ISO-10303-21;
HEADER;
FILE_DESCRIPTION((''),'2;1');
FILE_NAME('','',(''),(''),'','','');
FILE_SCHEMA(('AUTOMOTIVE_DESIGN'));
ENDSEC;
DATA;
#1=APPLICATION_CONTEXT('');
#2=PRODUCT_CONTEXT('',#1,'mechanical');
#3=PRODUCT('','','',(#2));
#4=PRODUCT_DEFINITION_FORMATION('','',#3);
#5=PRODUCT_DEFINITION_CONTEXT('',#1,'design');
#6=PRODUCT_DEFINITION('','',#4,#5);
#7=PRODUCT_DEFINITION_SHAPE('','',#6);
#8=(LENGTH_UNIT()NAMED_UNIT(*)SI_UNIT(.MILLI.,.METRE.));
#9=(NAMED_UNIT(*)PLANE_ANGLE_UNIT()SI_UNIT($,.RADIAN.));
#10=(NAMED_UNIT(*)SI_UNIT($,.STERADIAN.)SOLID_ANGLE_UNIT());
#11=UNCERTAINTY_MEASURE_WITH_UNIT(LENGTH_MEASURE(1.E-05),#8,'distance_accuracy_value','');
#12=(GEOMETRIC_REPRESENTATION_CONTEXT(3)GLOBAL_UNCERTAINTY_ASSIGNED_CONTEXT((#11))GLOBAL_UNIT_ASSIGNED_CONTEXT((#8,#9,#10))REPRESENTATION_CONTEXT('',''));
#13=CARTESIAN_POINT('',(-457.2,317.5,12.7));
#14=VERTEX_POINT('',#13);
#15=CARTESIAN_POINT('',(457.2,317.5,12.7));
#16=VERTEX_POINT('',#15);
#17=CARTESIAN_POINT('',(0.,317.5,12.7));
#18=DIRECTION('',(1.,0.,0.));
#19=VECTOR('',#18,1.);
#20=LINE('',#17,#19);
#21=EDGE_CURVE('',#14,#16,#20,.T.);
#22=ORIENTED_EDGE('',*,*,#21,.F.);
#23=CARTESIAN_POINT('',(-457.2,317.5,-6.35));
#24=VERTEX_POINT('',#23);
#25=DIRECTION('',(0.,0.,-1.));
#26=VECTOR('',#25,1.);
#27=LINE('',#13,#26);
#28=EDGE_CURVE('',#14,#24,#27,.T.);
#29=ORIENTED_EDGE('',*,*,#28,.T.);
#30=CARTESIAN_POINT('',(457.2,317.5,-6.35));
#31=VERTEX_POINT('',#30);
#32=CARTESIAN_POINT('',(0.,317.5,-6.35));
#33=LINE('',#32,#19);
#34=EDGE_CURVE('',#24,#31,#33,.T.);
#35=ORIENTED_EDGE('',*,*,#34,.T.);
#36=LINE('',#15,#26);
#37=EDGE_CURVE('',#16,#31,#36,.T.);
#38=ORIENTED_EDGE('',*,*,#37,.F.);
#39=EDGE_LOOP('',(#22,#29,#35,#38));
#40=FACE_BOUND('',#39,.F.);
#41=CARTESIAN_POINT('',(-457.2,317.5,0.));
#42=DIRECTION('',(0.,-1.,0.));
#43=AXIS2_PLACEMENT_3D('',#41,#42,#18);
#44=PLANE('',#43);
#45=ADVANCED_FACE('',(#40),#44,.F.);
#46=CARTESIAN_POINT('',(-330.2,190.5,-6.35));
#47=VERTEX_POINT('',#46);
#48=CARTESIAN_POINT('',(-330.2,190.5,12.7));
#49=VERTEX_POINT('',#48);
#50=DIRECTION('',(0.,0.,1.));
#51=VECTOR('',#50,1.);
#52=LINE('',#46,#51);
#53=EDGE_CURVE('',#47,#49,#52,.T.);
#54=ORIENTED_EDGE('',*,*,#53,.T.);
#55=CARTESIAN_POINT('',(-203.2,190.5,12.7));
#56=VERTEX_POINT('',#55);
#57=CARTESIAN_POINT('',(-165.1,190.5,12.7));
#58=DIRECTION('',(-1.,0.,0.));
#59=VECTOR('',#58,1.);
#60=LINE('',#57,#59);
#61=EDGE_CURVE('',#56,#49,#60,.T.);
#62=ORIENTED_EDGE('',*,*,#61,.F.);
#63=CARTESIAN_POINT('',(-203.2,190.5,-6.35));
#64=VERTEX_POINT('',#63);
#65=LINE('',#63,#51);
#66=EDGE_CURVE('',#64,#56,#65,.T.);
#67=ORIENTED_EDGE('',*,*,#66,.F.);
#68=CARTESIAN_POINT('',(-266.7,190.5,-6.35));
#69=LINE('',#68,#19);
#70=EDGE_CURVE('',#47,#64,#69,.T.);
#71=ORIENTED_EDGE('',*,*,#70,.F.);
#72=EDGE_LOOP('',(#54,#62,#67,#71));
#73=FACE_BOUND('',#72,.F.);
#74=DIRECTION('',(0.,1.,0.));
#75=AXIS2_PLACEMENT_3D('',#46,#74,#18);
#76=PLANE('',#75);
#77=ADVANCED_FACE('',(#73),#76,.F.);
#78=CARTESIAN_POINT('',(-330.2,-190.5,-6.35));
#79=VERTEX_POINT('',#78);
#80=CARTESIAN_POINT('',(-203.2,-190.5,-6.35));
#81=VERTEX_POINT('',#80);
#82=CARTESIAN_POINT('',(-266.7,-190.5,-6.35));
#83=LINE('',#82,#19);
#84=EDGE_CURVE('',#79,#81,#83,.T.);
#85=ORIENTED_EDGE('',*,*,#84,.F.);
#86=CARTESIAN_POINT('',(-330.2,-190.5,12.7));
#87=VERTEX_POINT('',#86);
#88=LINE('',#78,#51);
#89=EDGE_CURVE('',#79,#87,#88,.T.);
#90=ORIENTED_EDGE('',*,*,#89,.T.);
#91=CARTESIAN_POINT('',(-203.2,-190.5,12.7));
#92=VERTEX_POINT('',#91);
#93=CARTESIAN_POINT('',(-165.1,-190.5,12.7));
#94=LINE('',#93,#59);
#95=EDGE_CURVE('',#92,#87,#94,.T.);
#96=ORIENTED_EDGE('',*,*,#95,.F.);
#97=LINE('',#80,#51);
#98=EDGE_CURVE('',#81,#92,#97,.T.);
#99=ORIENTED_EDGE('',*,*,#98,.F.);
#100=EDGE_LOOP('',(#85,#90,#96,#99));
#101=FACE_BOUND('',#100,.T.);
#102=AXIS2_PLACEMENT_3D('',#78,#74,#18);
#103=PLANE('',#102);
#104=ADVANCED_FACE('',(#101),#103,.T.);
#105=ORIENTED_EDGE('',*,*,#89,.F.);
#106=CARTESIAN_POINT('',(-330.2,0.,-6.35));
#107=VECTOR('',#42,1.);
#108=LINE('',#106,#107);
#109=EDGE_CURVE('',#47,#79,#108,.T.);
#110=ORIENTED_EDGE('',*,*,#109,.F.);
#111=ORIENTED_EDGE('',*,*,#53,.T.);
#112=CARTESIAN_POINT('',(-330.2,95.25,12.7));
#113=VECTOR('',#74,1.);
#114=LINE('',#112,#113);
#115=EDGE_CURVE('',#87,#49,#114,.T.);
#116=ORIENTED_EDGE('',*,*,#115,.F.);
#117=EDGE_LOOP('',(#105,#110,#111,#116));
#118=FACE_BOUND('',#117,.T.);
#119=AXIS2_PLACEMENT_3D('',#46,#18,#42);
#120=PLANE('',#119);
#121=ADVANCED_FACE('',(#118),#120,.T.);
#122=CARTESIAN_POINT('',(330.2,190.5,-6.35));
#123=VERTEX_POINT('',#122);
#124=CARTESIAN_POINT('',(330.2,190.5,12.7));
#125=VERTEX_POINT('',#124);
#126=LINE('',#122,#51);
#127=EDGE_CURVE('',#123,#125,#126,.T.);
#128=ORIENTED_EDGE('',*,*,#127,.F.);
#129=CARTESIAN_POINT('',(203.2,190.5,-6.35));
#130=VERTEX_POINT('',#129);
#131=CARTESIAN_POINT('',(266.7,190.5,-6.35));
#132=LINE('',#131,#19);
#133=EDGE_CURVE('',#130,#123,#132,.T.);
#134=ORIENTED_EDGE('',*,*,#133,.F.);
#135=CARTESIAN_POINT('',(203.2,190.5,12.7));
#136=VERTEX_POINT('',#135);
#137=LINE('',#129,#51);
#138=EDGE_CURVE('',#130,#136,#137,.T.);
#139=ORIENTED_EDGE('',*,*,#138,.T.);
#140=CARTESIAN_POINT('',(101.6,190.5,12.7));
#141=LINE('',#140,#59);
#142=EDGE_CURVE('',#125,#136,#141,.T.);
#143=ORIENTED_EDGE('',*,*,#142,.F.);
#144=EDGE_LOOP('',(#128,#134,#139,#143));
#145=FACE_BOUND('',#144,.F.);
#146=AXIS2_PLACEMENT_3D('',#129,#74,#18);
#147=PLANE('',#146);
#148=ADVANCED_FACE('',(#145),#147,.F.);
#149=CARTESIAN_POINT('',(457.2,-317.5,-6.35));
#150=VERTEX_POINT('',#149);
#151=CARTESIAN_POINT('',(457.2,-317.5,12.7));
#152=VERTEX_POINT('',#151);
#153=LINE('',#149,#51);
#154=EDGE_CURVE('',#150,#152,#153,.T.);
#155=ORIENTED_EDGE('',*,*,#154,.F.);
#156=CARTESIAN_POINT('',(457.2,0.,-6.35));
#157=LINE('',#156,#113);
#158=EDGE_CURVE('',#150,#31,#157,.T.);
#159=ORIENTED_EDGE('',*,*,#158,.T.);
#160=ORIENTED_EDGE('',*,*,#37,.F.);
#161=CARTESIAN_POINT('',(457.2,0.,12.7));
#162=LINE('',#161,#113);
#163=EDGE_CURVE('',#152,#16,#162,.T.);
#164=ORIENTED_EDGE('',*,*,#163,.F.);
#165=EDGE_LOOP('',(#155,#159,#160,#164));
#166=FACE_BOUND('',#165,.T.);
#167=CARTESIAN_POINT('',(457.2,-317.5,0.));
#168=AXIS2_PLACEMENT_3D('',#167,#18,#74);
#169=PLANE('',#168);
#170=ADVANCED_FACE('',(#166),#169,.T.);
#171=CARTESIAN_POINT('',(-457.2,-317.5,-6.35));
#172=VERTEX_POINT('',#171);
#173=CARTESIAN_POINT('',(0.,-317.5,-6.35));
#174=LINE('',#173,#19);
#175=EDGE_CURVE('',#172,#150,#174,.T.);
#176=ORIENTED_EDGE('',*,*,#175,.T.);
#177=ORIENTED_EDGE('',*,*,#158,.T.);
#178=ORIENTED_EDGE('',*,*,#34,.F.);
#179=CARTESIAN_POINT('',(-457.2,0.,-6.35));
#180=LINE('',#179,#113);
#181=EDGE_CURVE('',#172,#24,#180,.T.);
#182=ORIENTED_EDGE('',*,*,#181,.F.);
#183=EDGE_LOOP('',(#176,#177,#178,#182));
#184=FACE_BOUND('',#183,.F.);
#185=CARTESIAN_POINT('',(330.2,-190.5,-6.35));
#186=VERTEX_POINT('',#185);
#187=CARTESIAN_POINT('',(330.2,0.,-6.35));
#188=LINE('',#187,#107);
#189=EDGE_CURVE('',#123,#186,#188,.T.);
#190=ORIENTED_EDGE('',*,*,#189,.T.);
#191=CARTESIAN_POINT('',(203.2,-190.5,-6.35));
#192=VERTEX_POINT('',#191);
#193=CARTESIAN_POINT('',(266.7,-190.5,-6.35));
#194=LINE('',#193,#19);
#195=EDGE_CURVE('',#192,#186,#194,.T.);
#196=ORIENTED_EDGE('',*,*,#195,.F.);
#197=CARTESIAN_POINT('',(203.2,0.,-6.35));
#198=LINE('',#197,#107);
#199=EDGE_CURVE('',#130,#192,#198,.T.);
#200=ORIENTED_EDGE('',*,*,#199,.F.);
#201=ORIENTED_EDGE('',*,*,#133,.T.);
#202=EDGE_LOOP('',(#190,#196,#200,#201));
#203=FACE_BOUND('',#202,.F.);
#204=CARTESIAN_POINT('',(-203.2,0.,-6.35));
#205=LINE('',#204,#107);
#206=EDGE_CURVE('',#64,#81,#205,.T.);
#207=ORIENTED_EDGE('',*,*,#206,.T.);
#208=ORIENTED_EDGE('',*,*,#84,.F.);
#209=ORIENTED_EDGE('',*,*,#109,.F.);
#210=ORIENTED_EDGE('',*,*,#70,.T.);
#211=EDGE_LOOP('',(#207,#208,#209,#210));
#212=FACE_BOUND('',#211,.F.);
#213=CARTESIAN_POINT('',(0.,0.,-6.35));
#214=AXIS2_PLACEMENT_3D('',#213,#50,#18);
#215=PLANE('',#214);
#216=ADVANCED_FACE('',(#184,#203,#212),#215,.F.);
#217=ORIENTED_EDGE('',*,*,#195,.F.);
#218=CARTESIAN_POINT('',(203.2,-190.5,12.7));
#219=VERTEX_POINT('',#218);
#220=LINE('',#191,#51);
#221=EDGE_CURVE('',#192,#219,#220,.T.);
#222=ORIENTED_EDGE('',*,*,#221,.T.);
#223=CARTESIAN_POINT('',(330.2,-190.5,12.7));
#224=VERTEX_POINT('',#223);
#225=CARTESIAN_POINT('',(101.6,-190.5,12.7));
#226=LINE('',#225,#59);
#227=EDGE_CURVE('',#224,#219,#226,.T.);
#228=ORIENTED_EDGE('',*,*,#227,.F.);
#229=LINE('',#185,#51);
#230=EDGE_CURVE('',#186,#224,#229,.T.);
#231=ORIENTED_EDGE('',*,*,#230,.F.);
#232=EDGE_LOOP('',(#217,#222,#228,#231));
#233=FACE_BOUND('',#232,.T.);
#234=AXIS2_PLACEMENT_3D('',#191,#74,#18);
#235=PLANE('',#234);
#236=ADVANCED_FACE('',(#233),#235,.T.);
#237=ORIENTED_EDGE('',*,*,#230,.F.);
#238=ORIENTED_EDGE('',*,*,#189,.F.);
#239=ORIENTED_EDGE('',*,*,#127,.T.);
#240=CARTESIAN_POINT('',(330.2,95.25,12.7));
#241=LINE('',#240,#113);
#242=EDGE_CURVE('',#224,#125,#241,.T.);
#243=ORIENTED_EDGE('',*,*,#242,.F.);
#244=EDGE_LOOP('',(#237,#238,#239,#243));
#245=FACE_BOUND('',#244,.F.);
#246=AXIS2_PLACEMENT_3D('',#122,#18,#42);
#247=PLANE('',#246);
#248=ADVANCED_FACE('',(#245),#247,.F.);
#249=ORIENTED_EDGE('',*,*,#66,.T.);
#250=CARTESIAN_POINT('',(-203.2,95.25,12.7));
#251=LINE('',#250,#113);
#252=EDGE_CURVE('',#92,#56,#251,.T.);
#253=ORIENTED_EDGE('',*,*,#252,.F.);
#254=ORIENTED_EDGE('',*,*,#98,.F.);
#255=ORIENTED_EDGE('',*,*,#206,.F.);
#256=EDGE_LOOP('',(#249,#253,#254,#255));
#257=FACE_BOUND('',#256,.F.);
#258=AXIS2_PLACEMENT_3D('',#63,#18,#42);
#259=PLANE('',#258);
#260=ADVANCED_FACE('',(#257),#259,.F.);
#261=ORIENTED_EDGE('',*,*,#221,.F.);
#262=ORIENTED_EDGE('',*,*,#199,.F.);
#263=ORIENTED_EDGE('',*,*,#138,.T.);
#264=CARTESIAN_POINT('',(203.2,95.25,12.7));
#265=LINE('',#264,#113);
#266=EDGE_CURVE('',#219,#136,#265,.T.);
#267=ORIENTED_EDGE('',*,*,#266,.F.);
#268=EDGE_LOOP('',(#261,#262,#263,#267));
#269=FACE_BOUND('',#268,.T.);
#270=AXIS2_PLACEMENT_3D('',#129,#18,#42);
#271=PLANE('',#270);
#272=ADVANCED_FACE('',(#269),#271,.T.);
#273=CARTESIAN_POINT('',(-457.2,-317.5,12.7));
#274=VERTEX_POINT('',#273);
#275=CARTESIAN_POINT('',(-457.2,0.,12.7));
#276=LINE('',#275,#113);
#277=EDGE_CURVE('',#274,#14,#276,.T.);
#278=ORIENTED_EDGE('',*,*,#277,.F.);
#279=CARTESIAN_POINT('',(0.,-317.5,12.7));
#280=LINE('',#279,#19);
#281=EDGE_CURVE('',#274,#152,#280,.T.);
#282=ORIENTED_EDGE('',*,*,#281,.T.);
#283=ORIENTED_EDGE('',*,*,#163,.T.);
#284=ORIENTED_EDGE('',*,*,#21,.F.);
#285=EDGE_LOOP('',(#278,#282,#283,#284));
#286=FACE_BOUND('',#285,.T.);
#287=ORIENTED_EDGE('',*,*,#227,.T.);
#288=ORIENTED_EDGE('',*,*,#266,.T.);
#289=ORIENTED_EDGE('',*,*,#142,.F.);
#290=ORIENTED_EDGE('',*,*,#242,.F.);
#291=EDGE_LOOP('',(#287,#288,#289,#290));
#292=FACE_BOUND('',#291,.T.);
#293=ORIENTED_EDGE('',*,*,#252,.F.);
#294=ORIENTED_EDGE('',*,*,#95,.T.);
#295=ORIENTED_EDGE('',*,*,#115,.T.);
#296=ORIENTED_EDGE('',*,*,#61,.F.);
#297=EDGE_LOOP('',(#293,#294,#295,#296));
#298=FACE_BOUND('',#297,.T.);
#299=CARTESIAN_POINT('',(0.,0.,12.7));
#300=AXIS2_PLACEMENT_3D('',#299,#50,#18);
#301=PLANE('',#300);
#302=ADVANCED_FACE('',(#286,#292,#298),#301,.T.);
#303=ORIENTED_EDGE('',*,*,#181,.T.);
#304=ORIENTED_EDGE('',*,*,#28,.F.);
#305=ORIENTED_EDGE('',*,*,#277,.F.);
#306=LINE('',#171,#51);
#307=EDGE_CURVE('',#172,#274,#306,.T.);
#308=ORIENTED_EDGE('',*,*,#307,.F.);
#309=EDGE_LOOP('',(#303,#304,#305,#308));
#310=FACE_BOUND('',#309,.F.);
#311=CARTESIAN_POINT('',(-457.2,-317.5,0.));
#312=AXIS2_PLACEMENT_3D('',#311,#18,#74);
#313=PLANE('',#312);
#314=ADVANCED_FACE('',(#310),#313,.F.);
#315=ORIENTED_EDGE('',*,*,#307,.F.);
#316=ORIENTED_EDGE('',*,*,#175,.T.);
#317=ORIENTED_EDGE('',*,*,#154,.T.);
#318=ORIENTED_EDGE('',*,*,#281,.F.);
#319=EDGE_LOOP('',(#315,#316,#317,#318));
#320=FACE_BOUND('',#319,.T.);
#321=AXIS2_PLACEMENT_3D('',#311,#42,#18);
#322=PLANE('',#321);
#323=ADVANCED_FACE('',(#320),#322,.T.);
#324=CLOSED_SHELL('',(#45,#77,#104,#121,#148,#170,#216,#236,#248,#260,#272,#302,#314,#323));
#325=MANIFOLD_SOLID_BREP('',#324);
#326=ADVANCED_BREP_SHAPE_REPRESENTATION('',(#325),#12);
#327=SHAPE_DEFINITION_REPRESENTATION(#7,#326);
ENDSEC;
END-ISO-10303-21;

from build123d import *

# Parameters (mm, degrees)
F0_W     = 914.4
F0_H     = 635
F1_DEPTH = 6.35
F2_DEPTH = 12.7
F3_W     = 127
F3_H     = 381
F4_DEPTH = 73.66


with BuildPart() as f1:
    # F0 (on Top) → F1 (new body, symmetric)
    with BuildSketch(Plane.XY):
        Rectangle(F0_W, F0_H)
    extrude(amount=F1_DEPTH, both=True)

    # F0 (on Top) → F2 (join)
    with BuildSketch(Plane.XY):
        Rectangle(F0_W, F0_H)
    extrude(amount=F2_DEPTH)

    # F3 (on face) → F4 (cut)
    with BuildSketch(Plane(origin=(0, 0, -6.35), x_dir=(1, 0, 0), z_dir=(0, 0, -1))):
        with Locations((-266.7, 0)):
            Rectangle(F3_W, F3_H)
        with Locations((266.7, 0)):
            Rectangle(F3_W, F3_H)
    extrude(amount=-F4_DEPTH, mode=Mode.SUBTRACT)


solid = f1.part
